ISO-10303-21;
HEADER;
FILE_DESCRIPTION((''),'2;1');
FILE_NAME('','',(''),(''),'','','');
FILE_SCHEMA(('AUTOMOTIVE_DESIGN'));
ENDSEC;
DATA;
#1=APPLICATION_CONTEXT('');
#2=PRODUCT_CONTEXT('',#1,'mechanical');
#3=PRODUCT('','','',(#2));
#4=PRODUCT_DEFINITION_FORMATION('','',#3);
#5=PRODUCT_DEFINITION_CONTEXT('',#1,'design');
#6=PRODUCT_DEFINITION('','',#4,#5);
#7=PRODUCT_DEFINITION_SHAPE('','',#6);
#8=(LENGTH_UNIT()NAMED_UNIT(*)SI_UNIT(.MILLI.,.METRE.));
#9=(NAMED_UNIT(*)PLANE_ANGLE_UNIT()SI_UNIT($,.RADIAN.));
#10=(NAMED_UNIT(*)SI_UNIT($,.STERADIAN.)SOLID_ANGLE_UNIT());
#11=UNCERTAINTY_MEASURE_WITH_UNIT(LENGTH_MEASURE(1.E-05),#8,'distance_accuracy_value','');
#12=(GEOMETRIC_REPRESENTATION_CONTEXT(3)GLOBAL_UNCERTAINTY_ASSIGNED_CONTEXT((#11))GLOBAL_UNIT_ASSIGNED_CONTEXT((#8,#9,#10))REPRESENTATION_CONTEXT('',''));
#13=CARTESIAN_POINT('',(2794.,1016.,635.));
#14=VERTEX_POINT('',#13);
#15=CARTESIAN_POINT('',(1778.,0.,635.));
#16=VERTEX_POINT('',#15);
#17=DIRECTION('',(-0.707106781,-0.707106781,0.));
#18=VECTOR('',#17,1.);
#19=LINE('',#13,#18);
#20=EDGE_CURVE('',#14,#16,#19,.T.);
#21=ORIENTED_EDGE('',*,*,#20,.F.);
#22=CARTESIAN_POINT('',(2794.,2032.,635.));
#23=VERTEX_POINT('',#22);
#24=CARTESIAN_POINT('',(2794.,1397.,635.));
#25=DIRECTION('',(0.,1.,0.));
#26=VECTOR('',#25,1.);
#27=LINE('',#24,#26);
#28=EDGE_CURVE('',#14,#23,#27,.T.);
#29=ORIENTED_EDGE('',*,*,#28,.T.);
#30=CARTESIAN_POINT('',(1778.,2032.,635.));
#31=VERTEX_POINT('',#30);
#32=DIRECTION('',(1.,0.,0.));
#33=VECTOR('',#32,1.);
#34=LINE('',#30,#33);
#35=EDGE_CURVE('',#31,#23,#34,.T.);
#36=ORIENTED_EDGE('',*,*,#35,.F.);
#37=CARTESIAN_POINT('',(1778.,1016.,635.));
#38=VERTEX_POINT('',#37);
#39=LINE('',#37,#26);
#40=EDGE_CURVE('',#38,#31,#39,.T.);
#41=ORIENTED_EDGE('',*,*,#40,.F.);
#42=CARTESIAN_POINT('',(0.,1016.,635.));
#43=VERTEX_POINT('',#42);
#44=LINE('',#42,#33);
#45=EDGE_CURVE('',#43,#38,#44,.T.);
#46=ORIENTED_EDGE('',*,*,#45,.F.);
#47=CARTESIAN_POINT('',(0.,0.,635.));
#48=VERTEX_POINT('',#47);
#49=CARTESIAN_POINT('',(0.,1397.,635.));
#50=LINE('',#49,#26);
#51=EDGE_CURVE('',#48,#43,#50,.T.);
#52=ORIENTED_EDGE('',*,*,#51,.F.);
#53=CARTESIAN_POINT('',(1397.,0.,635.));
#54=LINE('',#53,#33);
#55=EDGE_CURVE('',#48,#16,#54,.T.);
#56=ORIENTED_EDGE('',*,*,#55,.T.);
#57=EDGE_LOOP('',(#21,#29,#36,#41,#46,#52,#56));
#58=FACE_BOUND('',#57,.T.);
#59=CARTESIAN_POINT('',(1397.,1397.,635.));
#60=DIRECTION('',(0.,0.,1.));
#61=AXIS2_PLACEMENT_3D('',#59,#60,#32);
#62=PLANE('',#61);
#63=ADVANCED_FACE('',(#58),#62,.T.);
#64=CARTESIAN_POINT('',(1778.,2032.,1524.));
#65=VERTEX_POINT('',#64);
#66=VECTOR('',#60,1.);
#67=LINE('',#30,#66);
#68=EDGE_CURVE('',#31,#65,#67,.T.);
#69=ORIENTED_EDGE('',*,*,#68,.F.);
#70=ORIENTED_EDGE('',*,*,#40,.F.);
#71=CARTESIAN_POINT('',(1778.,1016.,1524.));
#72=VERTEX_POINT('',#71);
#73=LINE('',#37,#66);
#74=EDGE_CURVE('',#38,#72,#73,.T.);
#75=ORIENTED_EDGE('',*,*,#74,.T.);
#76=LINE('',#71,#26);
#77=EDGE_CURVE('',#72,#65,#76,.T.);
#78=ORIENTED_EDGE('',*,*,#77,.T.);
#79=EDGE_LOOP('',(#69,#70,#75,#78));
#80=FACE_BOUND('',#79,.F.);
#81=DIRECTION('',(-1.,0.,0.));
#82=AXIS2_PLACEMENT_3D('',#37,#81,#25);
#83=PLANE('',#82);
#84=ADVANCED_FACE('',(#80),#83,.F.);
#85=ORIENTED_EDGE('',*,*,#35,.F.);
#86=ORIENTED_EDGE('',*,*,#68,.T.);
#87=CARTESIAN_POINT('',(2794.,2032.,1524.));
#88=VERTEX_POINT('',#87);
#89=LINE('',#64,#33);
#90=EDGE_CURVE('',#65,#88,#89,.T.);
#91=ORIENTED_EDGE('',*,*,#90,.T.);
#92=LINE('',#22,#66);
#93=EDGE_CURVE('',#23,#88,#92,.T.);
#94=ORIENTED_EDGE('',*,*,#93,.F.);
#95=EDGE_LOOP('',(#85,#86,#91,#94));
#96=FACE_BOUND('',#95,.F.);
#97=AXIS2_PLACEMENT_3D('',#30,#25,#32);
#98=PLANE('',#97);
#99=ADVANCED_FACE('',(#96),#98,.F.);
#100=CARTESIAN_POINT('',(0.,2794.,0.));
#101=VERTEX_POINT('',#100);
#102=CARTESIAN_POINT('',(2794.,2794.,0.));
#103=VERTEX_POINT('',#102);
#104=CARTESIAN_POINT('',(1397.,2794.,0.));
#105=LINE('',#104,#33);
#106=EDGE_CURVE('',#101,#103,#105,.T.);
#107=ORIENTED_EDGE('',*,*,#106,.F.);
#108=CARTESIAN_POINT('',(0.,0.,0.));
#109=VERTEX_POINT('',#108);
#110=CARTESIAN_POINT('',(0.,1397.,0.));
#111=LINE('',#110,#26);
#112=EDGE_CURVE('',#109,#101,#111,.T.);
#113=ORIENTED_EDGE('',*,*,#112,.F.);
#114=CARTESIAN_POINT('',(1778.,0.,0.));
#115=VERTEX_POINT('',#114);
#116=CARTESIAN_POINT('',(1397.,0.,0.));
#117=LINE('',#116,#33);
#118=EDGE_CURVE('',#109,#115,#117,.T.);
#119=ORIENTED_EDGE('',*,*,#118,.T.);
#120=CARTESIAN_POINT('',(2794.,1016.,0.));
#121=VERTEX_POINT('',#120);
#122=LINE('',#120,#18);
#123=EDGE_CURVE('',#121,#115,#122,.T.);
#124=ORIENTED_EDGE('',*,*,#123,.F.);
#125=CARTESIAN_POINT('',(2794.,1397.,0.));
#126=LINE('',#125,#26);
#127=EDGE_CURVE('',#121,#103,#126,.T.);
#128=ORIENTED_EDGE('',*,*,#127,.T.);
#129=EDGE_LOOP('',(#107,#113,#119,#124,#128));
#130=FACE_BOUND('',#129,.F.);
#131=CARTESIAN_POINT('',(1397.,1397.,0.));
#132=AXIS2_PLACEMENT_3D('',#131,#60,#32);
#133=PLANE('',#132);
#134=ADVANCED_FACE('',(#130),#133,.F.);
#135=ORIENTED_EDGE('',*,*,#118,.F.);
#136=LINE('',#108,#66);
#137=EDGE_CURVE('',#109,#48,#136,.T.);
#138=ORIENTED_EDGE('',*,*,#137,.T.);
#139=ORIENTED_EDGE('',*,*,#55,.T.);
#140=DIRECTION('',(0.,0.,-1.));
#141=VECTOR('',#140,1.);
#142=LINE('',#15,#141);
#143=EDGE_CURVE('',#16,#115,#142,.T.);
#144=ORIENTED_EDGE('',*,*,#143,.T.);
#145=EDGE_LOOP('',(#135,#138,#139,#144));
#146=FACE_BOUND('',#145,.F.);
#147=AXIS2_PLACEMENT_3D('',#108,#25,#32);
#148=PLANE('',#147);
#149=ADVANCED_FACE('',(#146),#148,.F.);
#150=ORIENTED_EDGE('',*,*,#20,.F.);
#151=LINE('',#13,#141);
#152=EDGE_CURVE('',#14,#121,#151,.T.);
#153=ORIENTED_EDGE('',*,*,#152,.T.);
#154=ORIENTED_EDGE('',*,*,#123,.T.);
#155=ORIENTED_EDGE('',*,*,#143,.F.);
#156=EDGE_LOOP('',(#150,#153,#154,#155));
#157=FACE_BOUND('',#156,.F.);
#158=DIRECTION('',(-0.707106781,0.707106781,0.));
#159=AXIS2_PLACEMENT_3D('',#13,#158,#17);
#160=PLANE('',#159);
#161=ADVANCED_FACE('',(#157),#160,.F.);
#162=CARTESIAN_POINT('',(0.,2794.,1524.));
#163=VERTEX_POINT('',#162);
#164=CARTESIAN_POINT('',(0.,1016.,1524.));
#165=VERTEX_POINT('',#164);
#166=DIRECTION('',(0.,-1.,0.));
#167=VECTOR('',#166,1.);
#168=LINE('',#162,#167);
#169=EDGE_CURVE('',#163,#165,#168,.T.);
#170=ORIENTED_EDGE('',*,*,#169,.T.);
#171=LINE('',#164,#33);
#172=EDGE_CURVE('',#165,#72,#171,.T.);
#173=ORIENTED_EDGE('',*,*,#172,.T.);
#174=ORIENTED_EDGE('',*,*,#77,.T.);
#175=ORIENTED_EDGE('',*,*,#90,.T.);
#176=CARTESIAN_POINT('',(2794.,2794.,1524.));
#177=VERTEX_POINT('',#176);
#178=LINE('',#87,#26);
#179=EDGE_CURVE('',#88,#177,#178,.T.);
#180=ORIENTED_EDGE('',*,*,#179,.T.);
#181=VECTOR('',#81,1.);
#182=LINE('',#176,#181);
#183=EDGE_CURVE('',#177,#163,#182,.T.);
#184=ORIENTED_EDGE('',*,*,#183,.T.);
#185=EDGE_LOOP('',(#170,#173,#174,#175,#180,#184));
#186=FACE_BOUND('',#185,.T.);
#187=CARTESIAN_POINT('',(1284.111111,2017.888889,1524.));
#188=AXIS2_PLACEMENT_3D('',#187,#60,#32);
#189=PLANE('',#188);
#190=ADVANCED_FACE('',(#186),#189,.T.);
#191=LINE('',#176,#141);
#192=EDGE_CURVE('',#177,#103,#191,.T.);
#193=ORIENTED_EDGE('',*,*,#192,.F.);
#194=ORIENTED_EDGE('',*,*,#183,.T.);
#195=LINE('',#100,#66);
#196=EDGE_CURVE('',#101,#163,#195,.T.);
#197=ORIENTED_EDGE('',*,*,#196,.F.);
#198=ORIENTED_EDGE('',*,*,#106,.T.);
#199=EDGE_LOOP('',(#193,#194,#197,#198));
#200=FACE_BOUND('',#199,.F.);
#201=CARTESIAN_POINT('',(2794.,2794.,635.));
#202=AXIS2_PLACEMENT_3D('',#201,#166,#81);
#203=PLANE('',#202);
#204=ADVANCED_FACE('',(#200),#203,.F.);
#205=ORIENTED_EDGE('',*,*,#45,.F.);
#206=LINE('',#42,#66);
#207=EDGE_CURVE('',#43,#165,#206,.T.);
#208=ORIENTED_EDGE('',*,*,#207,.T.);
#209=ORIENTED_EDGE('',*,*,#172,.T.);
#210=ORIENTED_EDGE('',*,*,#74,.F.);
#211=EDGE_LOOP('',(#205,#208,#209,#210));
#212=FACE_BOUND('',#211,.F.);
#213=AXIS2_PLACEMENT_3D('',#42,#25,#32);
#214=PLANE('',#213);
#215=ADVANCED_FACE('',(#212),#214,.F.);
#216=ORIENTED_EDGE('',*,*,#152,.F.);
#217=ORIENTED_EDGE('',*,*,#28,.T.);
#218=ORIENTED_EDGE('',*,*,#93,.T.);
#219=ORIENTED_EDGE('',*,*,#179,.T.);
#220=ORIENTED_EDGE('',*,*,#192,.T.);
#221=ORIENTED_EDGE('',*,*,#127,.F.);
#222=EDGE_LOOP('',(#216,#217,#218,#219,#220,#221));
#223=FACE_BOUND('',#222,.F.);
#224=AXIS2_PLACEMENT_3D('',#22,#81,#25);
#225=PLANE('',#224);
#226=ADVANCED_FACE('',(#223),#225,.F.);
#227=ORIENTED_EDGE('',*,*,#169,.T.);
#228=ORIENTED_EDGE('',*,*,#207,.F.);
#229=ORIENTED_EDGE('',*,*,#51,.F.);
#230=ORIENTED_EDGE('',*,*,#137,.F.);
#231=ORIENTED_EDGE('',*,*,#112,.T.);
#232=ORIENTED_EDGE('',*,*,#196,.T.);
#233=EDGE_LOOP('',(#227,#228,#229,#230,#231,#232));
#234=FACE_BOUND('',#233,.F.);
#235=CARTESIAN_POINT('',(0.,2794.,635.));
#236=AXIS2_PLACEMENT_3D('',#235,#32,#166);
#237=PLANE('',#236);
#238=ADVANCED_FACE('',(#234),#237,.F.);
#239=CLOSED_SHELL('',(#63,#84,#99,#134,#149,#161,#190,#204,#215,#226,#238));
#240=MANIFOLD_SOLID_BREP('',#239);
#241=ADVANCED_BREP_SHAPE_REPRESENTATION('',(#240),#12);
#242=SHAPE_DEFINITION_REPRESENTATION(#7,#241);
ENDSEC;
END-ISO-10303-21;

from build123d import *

# Parameters (mm, degrees)
F0_W     = 2794
F0_H     = 2794
F1_DEPTH = 635
F3_DEPTH = 889
F5_DEPTH = 635


with BuildPart() as f1:
    # F0 (on Top) → F1 (new body)
    with BuildSketch(Plane.XY):
        with Locations((1397, 1397)):
            Rectangle(F0_W, F0_H)
    extrude(amount=F1_DEPTH)

    # F2 (on face) → F3 (join)
    with BuildSketch(Plane.XY.offset(635)):
        Polygon((2794, 2794), (0, 2794), (0, 1016), (1778, 1016), (1778, 2032), (2794, 2032), align=None)
    extrude(amount=F3_DEPTH)

    # F4 (on face) → F5 (cut)
    with BuildSketch(Plane.XY.offset(635)):
        Polygon((2794, 1016), (1778, 0), (2794, 0), align=None)
    extrude(amount=-F5_DEPTH, mode=Mode.SUBTRACT)


solid = f1.part
